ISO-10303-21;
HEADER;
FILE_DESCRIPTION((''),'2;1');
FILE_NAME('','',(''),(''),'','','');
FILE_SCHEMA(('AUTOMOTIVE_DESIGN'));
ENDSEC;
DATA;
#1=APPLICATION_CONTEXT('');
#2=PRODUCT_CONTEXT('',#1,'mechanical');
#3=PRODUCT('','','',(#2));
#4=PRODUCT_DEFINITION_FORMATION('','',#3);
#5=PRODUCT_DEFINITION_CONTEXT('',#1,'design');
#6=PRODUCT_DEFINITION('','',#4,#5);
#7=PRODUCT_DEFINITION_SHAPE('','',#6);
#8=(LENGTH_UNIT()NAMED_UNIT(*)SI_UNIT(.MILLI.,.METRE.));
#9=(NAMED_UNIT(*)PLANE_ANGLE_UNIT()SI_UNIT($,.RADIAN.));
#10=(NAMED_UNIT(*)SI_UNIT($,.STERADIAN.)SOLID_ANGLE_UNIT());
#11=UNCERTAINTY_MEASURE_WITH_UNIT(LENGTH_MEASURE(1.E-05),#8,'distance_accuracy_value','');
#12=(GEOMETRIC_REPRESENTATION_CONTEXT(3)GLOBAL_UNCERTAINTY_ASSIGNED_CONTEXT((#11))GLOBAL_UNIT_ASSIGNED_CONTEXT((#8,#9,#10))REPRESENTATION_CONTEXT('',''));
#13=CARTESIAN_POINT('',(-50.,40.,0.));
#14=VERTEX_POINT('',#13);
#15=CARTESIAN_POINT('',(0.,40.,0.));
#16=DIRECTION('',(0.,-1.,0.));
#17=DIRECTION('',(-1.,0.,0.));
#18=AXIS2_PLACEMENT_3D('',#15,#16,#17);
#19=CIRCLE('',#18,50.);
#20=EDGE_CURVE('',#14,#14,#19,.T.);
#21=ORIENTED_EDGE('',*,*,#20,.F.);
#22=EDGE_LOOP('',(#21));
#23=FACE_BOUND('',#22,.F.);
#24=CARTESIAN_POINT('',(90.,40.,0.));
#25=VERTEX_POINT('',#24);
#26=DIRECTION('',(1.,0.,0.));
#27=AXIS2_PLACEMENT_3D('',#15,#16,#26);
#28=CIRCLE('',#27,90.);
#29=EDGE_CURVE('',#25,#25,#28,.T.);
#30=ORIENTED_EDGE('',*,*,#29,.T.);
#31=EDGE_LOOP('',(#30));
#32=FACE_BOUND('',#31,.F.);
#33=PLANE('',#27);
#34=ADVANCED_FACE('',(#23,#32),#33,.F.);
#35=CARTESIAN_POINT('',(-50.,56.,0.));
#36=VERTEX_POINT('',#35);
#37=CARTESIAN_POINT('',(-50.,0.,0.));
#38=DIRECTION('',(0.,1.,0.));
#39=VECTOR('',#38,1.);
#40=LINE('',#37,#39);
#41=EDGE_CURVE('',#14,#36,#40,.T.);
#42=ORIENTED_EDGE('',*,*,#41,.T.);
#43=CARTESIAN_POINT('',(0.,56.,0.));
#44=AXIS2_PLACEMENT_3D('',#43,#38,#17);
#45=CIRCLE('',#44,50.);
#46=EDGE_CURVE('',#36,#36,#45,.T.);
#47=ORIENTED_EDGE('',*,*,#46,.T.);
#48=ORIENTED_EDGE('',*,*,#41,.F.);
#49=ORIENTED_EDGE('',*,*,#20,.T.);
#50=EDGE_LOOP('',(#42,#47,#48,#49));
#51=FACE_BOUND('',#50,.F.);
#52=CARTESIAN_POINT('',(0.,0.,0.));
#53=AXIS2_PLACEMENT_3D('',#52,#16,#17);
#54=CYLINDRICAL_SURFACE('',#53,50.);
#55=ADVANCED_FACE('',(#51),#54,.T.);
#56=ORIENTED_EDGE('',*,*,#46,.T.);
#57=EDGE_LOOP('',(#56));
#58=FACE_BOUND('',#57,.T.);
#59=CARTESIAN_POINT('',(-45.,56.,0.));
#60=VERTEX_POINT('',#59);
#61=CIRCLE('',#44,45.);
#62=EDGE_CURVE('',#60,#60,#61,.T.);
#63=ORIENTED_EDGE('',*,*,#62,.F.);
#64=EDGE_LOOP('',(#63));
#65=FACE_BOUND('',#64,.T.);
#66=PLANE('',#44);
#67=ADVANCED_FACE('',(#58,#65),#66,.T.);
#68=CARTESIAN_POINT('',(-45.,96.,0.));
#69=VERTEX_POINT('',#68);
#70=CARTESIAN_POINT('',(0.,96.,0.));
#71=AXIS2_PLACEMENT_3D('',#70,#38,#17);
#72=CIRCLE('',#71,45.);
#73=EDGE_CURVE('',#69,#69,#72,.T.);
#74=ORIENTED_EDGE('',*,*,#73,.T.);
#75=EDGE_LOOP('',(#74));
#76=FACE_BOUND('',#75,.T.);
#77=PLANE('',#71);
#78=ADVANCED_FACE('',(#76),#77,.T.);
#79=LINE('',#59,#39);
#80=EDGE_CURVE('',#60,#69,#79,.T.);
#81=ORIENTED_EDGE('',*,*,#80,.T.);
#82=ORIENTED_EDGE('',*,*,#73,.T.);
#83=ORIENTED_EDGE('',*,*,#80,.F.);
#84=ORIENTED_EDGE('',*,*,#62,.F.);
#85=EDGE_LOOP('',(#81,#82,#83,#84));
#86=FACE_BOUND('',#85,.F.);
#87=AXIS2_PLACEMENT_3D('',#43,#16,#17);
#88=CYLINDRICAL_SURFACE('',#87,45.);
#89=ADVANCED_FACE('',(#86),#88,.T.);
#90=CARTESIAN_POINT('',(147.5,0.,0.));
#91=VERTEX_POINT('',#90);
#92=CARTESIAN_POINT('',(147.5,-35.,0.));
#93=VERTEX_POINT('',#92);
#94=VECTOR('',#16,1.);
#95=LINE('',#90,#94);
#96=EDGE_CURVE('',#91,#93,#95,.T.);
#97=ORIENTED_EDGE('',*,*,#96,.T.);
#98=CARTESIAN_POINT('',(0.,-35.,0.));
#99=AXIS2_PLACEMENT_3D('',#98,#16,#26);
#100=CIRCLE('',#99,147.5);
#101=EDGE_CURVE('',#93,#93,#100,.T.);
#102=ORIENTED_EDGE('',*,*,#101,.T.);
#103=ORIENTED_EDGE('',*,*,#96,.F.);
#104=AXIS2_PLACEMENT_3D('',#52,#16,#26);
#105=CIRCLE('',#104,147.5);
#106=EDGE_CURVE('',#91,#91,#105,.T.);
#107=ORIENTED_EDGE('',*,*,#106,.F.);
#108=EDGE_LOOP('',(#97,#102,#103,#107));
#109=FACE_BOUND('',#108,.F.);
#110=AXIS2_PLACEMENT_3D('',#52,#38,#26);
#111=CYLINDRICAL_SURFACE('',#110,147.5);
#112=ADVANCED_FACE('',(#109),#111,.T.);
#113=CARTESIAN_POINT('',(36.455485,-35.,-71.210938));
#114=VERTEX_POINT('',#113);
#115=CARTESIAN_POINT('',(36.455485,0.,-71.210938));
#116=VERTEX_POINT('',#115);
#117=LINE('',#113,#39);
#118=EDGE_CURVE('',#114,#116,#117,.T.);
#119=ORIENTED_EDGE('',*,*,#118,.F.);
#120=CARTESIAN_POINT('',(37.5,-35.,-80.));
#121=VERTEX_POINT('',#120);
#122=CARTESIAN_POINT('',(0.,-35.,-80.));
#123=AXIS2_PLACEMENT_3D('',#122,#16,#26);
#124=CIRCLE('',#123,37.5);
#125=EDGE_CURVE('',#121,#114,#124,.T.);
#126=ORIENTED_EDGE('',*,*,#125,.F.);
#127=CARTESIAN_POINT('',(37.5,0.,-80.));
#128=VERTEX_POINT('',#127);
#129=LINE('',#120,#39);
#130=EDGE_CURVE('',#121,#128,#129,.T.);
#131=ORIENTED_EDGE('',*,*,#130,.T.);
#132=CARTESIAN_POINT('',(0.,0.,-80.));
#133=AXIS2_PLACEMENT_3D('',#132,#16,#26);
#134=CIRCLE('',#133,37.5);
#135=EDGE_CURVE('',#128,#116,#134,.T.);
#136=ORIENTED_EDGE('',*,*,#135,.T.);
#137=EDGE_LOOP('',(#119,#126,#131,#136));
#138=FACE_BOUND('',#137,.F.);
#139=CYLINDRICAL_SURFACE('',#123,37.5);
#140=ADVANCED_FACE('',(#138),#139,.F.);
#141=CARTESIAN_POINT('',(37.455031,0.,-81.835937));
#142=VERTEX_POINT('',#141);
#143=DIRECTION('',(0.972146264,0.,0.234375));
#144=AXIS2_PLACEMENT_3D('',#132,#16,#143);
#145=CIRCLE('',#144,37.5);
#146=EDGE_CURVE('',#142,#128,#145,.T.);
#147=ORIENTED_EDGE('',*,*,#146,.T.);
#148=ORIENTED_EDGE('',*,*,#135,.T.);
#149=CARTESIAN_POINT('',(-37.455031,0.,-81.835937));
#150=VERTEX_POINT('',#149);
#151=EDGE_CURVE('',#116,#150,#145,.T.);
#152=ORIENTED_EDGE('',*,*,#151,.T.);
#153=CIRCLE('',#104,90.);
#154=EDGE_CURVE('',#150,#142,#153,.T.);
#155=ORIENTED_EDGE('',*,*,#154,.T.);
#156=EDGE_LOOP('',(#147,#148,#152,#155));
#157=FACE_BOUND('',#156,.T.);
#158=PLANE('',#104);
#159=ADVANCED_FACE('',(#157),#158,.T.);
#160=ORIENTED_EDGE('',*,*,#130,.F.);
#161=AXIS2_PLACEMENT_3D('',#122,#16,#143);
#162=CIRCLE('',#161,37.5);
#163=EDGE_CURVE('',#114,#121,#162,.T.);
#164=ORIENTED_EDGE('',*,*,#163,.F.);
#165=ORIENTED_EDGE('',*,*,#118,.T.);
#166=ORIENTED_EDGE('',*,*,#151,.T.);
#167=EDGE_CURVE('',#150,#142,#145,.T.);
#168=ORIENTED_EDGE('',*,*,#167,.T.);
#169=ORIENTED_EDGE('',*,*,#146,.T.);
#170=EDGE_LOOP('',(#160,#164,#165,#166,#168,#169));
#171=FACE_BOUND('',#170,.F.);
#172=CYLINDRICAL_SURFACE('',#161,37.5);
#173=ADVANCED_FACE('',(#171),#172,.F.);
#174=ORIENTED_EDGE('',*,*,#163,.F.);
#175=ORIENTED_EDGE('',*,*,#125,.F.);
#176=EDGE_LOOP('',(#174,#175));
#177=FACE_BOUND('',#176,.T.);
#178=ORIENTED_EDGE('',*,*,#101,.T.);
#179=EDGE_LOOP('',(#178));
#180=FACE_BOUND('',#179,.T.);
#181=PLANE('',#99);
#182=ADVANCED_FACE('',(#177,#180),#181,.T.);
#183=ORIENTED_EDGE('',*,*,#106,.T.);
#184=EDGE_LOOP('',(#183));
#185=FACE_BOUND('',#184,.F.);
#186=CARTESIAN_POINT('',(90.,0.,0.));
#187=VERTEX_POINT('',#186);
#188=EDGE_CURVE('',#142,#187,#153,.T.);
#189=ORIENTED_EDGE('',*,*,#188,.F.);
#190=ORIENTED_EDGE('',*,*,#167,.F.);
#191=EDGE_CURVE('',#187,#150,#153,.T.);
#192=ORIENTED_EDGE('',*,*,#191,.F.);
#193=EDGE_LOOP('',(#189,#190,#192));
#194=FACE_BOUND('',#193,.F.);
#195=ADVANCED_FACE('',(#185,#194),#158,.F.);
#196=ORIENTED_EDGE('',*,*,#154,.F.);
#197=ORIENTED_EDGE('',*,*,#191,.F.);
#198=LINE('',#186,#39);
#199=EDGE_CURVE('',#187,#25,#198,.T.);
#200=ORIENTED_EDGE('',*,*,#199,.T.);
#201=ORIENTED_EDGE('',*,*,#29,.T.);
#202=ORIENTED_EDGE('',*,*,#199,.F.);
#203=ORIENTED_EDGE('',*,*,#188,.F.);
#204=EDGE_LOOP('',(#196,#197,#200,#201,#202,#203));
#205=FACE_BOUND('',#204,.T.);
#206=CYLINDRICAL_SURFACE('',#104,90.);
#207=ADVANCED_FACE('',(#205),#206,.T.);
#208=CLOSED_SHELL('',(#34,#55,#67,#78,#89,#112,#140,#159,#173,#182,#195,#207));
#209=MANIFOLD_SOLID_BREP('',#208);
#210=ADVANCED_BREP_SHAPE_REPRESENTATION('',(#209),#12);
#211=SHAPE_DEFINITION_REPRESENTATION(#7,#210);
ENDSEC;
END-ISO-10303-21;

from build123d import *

# Parameters (mm, degrees)
F0_R     = 147.5
F1_DEPTH = 35
F2_R     = 50
F3_DEPTH = 56
F4_R     = 45
F5_DEPTH = 40
F7_DEPTH = 40
F8_R     = 90
F9_DEPTH = 40


with BuildPart() as f1:
    # F0 (on Front) → F1 (new body)
    with BuildSketch(Plane.XZ):
        Circle(F0_R)
    extrude(amount=F1_DEPTH)

    # F2 (on face) → F3 (join)
    with BuildSketch(Plane(origin=(0, 0, 0), x_dir=(-1, 0, 0), z_dir=(0, 1, 0))):
        Circle(F2_R)
    extrude(amount=F3_DEPTH)

    # F4 (on face) → F5 (join)
    with BuildSketch(Plane(origin=(0, 56, 0), x_dir=(-1, 0, 0), z_dir=(0, 1, 0))):
        Circle(F4_R)
    extrude(amount=F5_DEPTH)

    # F6 (on face) → F7 (cut)
    with BuildSketch(Plane.XZ.offset(35)):
        with BuildLine():
            ThreePointArc((36.4554849148, -71.2109375), (0, -80), (-36.4554849148, -71.2109375))
            ThreePointArc((-36.4554849148, -71.2109375), (-4.4254556656, -117.2379556656), (37.5, -80))
            ThreePointArc((37.5, -80), (37.2379556656, -75.5745443344), (36.4554849148, -71.2109375))
        make_face()
        with BuildLine():
            ThreePointArc((36.4554849148, -71.2109375), (0, -42.5), (-36.4554849148, -71.2109375))
            ThreePointArc((-36.4554849148, -71.2109375), (0, -80), (36.4554849148, -71.2109375))
        make_face()
    extrude(amount=-F7_DEPTH, mode=Mode.SUBTRACT)

    # F8 (on Front) → F9 (join)
    with BuildSketch(Plane.XZ):
        Circle(F8_R)
    extrude(amount=-F9_DEPTH)


solid = f1.part
